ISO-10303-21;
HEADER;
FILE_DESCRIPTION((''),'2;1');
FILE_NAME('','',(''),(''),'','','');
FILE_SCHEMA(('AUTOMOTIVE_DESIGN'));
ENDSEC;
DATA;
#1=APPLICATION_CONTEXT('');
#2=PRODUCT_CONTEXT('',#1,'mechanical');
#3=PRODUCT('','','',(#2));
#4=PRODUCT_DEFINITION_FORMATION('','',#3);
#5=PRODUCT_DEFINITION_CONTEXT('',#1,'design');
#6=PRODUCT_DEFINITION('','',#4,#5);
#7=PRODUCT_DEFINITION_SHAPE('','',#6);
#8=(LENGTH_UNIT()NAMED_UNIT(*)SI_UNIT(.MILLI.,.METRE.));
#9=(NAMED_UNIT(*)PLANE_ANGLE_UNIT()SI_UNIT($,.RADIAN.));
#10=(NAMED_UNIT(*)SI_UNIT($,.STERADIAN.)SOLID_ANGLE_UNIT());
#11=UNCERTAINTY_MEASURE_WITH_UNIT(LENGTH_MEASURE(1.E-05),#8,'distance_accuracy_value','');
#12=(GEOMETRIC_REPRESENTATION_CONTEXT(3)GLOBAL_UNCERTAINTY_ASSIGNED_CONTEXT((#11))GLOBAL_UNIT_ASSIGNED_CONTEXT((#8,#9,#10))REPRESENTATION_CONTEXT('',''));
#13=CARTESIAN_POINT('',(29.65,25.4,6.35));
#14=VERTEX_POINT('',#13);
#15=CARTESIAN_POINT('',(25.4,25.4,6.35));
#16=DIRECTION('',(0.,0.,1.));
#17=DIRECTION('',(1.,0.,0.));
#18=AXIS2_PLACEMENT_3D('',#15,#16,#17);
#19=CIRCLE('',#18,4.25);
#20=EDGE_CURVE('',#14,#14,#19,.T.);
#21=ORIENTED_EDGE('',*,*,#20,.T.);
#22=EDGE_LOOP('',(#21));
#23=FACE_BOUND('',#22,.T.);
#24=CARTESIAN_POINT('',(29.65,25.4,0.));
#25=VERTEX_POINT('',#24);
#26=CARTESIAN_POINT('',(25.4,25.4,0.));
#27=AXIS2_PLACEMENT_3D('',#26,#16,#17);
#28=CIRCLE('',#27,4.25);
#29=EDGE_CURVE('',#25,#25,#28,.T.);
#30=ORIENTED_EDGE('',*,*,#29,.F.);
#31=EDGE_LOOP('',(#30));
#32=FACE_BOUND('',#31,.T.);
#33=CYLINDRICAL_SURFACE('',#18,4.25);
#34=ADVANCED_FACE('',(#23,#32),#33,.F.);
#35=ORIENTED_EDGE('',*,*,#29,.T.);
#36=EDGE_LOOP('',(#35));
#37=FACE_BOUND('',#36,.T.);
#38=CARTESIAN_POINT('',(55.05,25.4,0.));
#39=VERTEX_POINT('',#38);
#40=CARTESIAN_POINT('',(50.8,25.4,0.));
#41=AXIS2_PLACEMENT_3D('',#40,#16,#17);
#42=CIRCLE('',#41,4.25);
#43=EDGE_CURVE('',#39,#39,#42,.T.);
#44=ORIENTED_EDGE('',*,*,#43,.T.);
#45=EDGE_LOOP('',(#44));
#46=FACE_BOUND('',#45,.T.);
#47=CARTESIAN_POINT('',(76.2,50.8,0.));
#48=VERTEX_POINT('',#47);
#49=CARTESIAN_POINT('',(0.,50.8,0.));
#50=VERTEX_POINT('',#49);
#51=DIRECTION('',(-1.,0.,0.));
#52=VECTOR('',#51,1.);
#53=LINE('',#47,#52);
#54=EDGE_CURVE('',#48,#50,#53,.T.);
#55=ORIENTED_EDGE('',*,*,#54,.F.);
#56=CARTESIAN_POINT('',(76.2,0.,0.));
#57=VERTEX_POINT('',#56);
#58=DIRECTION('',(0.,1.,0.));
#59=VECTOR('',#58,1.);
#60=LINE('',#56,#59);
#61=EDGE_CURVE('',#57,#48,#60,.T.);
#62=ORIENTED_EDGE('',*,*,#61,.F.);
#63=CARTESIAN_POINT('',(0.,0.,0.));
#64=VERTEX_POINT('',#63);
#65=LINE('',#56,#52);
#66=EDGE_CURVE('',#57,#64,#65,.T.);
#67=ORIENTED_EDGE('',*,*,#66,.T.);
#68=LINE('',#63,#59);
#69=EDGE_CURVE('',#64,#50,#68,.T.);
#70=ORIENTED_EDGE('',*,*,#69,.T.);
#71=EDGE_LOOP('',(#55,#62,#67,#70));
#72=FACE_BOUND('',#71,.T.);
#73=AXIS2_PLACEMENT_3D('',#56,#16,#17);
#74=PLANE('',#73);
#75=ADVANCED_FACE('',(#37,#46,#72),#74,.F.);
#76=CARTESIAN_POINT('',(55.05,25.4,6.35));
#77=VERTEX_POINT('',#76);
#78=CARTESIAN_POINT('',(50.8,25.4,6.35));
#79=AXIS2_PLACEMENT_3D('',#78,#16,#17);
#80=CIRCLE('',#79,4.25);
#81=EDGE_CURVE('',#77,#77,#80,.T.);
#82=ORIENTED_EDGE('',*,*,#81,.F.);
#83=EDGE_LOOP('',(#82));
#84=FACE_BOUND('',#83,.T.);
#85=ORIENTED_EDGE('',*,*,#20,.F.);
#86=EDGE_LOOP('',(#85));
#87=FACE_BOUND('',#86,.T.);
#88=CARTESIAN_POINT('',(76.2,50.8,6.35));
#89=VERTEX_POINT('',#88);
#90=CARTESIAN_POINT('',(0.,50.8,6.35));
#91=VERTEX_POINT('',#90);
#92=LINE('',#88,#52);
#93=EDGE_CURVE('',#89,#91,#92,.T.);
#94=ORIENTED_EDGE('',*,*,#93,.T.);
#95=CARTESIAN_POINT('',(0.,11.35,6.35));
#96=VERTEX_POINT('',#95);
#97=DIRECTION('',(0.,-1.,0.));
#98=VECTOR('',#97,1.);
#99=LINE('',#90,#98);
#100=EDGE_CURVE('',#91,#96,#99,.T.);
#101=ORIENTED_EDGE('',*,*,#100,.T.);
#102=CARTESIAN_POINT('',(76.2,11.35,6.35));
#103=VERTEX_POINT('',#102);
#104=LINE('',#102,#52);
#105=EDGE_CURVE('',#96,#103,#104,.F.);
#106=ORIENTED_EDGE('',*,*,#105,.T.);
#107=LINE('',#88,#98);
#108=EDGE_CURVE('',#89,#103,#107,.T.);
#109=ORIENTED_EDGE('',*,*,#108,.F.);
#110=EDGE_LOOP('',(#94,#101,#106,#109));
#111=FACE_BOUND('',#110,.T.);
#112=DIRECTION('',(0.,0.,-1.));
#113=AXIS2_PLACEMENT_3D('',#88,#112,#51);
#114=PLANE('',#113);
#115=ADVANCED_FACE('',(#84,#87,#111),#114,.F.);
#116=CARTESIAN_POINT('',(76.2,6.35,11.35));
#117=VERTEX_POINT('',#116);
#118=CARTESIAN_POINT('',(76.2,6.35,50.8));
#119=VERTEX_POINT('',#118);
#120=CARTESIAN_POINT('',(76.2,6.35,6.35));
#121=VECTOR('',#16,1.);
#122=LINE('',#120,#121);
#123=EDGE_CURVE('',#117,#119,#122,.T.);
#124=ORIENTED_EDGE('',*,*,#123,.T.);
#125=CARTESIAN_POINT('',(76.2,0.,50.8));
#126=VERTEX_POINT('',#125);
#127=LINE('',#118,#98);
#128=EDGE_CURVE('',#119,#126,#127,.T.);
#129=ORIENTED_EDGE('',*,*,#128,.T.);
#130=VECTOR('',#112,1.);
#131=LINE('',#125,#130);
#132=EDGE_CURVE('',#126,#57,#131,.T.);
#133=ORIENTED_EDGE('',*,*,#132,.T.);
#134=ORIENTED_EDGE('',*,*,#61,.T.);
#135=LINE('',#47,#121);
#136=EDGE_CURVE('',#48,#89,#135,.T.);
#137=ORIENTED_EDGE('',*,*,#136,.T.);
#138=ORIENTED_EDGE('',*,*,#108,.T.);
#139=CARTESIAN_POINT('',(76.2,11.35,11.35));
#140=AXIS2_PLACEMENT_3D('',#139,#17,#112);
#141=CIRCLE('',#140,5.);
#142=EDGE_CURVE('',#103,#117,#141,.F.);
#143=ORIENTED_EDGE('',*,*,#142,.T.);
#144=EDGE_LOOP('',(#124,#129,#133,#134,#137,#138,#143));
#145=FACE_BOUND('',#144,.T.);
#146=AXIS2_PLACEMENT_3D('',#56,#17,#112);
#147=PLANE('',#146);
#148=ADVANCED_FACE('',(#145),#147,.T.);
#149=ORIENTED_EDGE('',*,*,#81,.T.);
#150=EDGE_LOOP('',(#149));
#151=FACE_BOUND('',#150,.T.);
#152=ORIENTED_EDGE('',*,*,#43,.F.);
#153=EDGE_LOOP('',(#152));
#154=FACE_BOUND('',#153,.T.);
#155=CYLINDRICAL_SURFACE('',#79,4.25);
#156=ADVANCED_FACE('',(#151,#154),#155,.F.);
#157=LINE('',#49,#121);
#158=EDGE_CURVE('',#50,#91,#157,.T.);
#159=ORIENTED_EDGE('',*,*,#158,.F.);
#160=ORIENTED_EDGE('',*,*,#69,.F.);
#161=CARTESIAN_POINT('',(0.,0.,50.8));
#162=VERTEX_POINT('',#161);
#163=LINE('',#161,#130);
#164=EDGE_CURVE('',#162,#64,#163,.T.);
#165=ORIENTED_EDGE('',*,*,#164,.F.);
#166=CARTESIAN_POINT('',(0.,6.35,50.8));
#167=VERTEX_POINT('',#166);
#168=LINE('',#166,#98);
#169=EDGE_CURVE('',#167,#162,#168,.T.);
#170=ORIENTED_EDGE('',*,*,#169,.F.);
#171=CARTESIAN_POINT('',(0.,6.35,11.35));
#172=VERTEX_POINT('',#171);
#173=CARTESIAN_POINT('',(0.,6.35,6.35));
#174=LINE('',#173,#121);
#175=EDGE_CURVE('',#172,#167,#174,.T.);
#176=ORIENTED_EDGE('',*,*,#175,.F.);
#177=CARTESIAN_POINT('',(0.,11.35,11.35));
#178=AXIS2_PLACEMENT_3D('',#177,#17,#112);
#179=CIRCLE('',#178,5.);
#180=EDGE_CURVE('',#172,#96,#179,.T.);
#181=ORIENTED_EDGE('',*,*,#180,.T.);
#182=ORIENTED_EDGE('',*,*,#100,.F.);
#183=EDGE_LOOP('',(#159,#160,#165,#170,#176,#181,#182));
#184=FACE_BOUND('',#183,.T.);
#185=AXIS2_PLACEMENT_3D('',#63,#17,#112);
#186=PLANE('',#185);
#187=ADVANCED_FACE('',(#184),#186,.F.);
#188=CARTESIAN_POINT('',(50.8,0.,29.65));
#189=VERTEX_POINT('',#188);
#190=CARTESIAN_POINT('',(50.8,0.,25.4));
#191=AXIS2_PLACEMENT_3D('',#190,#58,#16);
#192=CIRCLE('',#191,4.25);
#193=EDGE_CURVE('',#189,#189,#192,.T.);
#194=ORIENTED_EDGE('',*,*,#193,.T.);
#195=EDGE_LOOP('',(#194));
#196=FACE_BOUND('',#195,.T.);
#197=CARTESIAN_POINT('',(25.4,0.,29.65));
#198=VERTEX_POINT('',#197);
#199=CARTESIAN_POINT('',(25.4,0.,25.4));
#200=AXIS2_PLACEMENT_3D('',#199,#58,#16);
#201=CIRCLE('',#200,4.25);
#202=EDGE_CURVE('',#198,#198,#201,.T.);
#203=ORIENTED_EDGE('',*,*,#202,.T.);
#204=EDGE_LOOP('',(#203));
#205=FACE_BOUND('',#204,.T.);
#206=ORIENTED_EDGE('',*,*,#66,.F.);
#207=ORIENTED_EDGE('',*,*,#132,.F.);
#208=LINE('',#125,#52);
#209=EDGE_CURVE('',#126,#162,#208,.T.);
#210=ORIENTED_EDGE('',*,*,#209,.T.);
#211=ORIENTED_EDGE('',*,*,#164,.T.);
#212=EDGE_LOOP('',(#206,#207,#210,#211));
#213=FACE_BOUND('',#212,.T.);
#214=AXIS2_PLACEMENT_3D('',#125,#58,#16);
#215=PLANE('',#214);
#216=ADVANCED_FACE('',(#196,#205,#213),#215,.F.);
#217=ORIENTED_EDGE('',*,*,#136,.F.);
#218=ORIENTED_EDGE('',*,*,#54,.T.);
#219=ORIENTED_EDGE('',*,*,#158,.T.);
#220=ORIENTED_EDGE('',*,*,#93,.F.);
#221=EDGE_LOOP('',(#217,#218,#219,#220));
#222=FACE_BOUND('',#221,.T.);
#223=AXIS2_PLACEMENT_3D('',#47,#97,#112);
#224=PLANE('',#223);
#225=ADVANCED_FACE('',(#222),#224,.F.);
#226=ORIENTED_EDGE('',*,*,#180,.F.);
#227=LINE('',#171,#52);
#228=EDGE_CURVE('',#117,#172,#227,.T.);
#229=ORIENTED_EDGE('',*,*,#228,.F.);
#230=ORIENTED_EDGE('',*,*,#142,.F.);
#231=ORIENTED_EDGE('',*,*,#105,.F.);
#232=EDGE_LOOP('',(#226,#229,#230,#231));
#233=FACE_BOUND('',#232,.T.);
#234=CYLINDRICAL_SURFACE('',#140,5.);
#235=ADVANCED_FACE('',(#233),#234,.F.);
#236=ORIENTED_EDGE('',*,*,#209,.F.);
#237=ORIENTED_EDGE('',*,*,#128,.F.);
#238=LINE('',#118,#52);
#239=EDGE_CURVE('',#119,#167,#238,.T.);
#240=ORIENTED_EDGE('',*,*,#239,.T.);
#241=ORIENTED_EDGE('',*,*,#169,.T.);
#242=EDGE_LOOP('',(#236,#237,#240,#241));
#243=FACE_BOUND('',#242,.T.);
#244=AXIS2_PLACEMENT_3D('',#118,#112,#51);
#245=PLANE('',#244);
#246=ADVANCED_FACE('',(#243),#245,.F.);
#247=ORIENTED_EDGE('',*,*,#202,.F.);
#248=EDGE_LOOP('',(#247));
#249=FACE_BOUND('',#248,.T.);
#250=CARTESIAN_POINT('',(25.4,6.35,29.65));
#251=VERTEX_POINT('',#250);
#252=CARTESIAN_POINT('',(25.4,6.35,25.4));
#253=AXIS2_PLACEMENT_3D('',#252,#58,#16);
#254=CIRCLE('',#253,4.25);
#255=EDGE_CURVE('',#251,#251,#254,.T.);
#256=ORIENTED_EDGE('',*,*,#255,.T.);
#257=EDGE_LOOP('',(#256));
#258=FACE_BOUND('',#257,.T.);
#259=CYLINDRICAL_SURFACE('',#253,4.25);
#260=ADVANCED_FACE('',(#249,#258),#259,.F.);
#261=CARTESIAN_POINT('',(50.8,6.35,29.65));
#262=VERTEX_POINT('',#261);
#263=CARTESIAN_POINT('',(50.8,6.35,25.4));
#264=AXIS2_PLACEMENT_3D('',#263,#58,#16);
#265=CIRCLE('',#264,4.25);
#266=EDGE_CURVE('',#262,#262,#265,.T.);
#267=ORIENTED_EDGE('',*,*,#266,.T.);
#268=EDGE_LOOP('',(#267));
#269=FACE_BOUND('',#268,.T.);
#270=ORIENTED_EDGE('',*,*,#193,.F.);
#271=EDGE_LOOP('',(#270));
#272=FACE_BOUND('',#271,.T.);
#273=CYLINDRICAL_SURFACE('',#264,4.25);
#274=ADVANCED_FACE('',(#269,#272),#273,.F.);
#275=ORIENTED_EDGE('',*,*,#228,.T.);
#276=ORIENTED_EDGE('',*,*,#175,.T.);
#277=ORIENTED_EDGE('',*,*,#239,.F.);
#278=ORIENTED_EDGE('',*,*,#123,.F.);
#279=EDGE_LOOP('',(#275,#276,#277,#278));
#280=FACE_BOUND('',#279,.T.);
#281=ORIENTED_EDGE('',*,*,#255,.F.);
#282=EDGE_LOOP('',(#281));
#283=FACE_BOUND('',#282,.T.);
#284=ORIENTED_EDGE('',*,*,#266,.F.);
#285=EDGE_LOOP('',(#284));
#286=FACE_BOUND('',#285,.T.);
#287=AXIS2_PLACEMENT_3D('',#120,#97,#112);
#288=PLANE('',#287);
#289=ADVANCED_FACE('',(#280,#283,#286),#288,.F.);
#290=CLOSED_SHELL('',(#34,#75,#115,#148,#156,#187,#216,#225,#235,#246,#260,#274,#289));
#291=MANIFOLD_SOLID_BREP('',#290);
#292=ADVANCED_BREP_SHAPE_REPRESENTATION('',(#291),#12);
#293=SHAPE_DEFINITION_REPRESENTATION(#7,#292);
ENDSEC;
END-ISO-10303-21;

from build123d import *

# Parameters (mm, degrees)
BOSS_EXTRUDE1_DEPTH              = 76.2
TAP_DRILL_FOR_M10X1_5_TAP1_D     = 8.5
TAP_DRILL_FOR_M10X1_5_TAP2_D     = 8.5
TAP_DRILL_FOR_M10X1_5_TAP2_DEPTH = 20
TAP_DRILL_FOR_M10X1_5_TAP2_TIP   = 2.553657631
FILLET1_R                        = 5


with BuildPart() as part:
    # Sketch1 → Boss-Extrude1 (new body)
    with BuildSketch(Plane(origin=(0, 0, 0), x_dir=(0, 0, -1), z_dir=(1, 0, 0))):
        Polygon((0, 0), (0, 50.8), (-6.35, 50.8), (-6.35, 6.35), (-50.8, 6.35), (-50.8, 0), align=None)
    extrude(amount=BOSS_EXTRUDE1_DEPTH)

    # Tap Drill for M10x1.5 Tap1 (through all)
    with Locations(Plane(origin=(0, 6.35, 0), x_dir=(1, 0, 0), z_dir=(0, 1, 0))):
        with Locations((25.4, -25.4), (50.8, -25.4)):
            Hole(TAP_DRILL_FOR_M10X1_5_TAP1_D / 2)

    # Tap Drill for M10x1.5 Tap2
    with Locations(Plane.XY.offset(6.35)):
        with Locations((25.4, 25.4), (50.8, 25.4)):
            Hole(TAP_DRILL_FOR_M10X1_5_TAP2_D / 2, depth=TAP_DRILL_FOR_M10X1_5_TAP2_DEPTH)
            with Locations((0, 0, -(TAP_DRILL_FOR_M10X1_5_TAP2_DEPTH + TAP_DRILL_FOR_M10X1_5_TAP2_TIP / 2))):  # 118° drill point
                Cone(0, TAP_DRILL_FOR_M10X1_5_TAP2_D / 2, TAP_DRILL_FOR_M10X1_5_TAP2_TIP, mode=Mode.SUBTRACT)

    # Fillet1
    fillet1_edges = [part.edges().sort_by_distance(p)[0] for p in [
        (38.1, 6.35, 6.35),
    ]]
    fillet(fillet1_edges, radius=FILLET1_R)


solid = part.part
